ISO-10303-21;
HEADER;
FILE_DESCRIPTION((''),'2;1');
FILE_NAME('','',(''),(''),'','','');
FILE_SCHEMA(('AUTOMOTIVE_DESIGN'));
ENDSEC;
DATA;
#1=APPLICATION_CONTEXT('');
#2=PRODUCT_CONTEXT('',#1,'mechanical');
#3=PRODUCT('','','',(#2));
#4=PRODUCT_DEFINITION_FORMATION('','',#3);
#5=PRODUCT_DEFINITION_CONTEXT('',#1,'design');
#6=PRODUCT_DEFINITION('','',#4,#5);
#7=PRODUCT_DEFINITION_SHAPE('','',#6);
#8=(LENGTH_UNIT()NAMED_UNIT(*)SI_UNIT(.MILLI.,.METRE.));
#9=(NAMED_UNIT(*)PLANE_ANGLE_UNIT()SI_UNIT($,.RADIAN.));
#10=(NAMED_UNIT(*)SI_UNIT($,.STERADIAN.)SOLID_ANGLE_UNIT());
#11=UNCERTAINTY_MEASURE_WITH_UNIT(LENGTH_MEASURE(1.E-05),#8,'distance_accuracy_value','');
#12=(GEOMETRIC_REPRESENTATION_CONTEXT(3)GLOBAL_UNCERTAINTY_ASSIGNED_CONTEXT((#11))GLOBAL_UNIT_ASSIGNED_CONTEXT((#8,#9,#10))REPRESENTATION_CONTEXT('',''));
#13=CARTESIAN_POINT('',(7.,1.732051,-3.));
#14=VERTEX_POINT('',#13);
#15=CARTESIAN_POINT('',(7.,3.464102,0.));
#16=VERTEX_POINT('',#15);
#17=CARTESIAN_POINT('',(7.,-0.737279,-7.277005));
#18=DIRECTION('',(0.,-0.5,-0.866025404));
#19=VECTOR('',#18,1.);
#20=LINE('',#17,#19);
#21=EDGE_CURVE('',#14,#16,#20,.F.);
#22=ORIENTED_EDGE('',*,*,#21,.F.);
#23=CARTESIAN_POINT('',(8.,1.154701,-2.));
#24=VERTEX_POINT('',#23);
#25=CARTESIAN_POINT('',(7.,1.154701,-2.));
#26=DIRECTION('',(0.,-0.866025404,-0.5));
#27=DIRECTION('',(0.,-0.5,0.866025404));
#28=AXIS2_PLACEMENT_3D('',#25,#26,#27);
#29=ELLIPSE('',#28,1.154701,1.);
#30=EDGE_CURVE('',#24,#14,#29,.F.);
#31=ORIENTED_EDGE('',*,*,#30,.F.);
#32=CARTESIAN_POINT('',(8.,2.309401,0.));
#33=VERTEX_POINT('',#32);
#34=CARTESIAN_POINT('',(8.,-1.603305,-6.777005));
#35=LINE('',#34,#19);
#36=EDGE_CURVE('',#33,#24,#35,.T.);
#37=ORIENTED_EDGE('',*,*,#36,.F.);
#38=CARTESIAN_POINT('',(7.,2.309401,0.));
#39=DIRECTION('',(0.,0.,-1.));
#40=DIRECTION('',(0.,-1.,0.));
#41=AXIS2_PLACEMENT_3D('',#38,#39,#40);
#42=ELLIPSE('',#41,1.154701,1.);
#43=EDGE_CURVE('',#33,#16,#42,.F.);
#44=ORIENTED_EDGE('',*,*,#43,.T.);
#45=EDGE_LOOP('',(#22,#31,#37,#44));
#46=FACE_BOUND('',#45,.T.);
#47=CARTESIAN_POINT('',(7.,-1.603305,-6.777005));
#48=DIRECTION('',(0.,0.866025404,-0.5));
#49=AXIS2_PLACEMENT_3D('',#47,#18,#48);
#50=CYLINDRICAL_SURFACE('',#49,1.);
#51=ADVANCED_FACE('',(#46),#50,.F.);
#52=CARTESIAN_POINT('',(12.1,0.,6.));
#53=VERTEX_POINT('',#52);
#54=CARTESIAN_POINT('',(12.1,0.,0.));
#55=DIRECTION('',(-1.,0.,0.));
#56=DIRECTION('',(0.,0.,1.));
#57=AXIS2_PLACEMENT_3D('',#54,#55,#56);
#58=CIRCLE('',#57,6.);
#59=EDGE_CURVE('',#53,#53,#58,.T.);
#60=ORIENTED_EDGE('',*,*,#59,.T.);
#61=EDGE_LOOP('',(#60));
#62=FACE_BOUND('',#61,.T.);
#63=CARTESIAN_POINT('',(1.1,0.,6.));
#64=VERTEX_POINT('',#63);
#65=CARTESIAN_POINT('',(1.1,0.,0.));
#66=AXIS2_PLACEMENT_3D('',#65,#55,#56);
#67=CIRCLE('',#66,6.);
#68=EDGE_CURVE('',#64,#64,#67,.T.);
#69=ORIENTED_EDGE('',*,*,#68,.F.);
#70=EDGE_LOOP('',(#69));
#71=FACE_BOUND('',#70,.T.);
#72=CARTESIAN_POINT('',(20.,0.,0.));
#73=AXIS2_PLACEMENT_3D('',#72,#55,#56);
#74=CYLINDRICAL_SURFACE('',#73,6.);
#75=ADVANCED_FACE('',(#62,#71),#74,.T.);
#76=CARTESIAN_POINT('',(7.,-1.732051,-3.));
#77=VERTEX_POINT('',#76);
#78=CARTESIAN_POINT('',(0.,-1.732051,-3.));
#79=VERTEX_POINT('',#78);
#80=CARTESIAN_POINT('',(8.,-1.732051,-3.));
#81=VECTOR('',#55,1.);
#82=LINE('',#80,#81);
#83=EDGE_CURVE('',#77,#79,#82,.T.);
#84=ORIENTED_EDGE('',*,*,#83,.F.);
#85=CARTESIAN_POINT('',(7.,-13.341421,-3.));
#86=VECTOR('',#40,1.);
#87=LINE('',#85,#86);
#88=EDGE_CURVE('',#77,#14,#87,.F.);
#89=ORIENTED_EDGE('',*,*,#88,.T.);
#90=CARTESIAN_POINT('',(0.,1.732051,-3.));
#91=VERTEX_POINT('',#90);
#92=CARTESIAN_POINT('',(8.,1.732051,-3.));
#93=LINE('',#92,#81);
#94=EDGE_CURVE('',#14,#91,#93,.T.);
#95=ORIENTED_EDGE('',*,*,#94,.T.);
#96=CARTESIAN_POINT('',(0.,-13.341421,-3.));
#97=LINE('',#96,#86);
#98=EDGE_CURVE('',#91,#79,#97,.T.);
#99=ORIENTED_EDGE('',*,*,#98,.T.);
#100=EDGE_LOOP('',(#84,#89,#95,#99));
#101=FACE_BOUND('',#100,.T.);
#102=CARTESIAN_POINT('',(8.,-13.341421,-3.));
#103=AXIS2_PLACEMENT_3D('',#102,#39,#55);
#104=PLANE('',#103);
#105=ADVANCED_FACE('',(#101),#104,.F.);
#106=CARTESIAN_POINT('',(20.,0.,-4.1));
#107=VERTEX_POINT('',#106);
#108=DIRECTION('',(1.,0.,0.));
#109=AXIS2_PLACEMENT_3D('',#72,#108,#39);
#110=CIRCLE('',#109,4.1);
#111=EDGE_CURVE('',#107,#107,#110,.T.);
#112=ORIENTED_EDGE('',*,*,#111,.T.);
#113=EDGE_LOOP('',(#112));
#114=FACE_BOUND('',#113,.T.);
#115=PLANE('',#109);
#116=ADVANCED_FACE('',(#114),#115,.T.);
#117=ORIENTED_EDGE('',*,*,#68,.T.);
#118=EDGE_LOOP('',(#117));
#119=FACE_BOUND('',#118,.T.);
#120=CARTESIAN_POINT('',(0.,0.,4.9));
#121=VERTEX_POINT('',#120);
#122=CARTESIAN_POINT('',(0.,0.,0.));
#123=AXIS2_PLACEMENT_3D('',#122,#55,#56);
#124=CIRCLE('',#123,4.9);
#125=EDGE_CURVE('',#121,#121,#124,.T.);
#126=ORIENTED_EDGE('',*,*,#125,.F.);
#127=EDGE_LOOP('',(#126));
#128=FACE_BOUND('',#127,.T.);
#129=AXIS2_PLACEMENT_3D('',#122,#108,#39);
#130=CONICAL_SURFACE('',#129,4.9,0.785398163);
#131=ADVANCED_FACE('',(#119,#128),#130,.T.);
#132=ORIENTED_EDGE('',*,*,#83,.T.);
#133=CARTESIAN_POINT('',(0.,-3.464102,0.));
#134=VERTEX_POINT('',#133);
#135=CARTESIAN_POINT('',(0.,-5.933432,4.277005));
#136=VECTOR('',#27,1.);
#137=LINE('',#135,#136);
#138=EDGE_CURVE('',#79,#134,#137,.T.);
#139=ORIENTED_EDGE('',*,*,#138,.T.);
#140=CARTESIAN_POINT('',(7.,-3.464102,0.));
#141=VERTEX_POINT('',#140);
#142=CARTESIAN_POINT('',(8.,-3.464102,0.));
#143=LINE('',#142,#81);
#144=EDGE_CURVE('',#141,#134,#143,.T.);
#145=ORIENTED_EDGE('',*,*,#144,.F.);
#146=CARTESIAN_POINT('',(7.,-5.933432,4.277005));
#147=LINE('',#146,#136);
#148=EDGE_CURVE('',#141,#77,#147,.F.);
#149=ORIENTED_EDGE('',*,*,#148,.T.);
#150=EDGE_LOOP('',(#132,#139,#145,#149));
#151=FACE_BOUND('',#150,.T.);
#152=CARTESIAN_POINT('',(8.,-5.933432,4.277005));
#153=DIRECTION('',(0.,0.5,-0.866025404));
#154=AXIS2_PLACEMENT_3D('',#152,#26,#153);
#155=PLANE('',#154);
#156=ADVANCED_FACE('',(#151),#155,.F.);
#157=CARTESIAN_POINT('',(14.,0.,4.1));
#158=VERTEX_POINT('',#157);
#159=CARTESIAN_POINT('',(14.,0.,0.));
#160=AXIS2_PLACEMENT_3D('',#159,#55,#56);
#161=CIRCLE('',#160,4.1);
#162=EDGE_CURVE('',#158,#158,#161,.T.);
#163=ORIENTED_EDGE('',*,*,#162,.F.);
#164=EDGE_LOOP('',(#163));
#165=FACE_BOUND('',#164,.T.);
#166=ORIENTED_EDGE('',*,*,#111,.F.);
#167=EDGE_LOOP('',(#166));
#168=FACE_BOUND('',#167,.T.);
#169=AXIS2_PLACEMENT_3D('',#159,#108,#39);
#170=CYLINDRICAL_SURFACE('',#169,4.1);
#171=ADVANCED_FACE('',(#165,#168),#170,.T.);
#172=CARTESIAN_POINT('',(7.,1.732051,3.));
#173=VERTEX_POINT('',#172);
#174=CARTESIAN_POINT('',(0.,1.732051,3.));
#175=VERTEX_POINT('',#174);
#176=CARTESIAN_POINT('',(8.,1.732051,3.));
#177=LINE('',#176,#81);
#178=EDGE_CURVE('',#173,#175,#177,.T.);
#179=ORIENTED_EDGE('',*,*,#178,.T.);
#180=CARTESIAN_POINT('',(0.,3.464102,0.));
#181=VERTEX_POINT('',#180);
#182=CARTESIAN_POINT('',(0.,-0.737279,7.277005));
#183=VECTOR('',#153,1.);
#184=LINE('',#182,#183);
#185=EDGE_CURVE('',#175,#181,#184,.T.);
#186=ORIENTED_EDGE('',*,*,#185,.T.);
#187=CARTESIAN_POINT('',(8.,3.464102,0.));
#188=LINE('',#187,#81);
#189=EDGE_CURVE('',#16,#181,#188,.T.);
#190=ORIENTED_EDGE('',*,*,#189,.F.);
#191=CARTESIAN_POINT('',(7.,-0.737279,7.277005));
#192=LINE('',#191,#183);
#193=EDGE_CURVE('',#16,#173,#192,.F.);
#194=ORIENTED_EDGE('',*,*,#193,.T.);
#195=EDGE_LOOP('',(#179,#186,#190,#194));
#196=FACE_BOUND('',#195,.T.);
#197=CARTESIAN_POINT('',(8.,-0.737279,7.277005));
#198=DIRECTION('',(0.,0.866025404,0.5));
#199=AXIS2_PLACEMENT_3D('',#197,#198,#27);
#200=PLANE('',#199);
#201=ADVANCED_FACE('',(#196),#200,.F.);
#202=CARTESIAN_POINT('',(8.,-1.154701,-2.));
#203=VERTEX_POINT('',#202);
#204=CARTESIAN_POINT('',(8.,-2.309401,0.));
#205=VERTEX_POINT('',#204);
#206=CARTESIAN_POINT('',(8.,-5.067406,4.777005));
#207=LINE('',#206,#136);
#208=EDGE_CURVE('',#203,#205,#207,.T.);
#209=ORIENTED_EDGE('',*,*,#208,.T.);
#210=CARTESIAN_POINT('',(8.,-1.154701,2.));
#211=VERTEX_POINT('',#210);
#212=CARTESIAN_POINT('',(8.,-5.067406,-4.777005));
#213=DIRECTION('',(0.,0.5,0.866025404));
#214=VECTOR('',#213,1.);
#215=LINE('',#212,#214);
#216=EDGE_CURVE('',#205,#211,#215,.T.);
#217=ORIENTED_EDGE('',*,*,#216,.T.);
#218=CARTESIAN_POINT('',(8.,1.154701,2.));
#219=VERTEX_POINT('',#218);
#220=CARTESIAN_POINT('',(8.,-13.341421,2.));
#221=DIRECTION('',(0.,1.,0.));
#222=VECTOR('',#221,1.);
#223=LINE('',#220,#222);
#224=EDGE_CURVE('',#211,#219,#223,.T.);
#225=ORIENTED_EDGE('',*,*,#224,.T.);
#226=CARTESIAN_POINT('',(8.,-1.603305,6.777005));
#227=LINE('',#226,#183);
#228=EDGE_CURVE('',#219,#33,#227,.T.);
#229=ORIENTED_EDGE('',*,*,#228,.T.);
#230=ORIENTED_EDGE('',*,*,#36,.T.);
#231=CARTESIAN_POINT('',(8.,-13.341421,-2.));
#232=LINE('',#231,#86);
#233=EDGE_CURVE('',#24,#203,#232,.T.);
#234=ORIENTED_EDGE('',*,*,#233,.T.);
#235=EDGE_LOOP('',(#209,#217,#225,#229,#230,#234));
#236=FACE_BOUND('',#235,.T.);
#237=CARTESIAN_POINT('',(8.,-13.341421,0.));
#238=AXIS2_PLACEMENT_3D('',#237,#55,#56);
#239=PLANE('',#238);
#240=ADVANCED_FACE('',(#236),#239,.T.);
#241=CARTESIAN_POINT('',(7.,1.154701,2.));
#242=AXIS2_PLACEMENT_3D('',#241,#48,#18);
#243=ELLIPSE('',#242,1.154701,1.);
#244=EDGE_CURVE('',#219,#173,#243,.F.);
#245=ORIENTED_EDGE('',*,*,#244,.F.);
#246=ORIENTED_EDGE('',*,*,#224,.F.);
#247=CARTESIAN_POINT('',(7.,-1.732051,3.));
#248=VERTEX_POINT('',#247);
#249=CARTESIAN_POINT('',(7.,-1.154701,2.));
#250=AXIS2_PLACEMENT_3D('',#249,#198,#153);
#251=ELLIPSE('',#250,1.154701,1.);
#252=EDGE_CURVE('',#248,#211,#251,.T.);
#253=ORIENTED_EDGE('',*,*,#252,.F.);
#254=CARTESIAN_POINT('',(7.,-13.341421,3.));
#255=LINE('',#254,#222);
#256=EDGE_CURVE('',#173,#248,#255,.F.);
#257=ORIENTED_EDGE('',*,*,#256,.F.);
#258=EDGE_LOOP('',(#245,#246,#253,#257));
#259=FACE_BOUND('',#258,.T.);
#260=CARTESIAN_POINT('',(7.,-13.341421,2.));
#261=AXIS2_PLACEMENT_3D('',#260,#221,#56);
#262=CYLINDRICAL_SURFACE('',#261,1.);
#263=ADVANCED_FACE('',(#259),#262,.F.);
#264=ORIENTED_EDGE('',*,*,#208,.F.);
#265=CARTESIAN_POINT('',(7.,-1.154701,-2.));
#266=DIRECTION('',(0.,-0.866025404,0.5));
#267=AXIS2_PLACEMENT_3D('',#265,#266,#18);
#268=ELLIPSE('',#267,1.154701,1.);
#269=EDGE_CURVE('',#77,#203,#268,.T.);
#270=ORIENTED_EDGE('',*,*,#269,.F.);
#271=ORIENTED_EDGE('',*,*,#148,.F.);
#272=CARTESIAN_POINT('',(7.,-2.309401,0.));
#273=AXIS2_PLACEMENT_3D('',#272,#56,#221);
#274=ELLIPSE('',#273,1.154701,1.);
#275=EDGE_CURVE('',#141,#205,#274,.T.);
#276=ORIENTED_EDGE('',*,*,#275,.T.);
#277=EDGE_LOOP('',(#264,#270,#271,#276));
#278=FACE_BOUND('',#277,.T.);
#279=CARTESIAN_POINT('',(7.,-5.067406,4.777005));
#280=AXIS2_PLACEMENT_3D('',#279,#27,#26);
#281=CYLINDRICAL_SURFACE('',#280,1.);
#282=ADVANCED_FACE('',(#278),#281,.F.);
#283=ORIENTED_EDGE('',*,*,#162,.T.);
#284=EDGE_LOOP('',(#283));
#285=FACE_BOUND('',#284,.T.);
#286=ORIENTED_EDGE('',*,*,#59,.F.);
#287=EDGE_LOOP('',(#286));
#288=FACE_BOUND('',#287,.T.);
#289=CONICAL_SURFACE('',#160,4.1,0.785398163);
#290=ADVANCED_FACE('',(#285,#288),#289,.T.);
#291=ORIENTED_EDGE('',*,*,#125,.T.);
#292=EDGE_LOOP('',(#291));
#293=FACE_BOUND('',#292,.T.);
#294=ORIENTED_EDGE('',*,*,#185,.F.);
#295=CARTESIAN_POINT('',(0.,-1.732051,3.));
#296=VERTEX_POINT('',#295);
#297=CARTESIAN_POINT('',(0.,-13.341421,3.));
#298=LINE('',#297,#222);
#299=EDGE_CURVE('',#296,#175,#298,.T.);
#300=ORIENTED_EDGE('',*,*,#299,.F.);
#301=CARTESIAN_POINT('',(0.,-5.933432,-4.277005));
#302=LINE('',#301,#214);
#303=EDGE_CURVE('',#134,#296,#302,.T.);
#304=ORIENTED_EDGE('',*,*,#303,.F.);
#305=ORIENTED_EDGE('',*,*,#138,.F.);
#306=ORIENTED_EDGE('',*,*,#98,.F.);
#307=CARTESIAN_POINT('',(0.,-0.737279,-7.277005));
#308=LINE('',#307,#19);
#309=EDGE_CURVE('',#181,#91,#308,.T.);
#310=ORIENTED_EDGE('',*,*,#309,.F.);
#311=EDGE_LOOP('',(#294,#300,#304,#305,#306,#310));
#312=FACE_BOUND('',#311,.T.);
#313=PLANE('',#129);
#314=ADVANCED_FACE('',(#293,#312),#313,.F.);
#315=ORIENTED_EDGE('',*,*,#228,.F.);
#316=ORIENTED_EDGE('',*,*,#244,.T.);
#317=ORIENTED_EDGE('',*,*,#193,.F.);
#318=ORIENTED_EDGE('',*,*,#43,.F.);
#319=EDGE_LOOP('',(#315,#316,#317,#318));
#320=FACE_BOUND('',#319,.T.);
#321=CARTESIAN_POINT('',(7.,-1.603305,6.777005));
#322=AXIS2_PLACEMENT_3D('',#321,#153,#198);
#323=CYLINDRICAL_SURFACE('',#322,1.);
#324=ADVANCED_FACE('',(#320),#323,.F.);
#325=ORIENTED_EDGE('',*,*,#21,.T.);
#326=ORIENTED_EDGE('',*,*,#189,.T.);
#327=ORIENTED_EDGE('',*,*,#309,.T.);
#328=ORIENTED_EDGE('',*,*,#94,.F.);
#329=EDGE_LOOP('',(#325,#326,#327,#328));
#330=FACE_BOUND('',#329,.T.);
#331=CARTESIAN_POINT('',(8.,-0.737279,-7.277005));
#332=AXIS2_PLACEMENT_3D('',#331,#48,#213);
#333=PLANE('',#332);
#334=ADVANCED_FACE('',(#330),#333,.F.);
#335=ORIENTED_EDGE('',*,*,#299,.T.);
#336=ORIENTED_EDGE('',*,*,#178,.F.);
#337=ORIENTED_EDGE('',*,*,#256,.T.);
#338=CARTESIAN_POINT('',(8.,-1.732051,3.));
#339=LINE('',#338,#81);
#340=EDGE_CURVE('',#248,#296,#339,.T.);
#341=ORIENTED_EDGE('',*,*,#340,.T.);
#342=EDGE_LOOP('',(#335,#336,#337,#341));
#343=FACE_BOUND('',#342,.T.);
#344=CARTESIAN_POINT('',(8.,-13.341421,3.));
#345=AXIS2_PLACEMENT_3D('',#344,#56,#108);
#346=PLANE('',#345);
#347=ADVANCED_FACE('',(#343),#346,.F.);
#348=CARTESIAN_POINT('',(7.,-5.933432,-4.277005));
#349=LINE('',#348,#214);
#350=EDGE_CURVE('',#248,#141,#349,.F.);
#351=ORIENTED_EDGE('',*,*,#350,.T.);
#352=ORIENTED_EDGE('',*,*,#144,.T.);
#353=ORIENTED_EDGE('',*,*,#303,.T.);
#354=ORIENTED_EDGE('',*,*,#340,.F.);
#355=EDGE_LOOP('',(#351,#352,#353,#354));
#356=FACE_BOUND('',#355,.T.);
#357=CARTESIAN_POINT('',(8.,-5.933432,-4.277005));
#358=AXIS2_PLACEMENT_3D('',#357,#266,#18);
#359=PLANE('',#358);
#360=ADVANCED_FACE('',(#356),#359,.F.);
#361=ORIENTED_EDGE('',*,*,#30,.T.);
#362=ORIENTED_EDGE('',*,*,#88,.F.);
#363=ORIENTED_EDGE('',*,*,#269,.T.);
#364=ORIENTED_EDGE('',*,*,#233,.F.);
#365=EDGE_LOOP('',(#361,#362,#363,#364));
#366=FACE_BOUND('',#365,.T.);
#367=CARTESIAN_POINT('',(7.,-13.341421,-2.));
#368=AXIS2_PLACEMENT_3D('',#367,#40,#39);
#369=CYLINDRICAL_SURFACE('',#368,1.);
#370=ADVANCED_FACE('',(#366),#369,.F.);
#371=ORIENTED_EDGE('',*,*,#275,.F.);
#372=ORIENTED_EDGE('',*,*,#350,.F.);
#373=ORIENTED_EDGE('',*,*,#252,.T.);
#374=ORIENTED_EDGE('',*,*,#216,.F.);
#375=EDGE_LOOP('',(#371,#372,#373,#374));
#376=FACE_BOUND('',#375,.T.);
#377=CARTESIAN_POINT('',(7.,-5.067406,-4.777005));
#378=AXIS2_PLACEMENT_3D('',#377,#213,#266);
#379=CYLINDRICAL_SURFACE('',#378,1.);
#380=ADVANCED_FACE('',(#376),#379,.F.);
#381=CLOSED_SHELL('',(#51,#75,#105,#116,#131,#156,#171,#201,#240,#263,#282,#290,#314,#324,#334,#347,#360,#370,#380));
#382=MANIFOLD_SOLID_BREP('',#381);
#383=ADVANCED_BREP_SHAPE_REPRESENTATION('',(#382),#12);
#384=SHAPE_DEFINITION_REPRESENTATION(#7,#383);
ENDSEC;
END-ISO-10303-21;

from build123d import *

# Parameters (mm, degrees)
SKETCH_1_R          = 6
EXTRUDE_1_DEPTH     = 20
CUT_EXTRUDE_1_DEPTH = 8
CUT_EXTRUDE_START   = -6
SKETCH_3_R          = 6
SKETCH_3_R_2        = 4.1
CUT_EXTRUDE_2_DEPTH = 6
FILLET_1_R          = 1


with BuildPart() as part:
    # Эскиз1 → Вытянуть1 (new body)
    with BuildSketch(Plane(origin=(0, 0, 0), x_dir=(0, 0, -1), z_dir=(1, 0, 0))):
        Circle(SKETCH_1_R)
    extrude(amount=EXTRUDE_1_DEPTH)

    # Эскиз2 → Вырез-Вытянуть1 (cut)
    with BuildSketch(Plane.ZY):
        Polygon((-3, -1.732050808), (0, -3.464101615), (0, 3.464101615), (-3, 1.732050808), align=None)
        Polygon((0, -3.464101615), (0, 3.464101615), (3, 1.732050808), (3, -1.732050808), align=None)
    extrude(amount=-CUT_EXTRUDE_1_DEPTH, mode=Mode.SUBTRACT)

    # Эскиз3 → Вырез-Вытянуть2 (cut)
    with BuildSketch(Plane(origin=(20, 0, 0), x_dir=(0, 0, -1), z_dir=(1, 0, 0)).offset(CUT_EXTRUDE_START)):
        Circle(SKETCH_3_R)
        Circle(SKETCH_3_R_2, mode=Mode.SUBTRACT)
    extrude(amount=CUT_EXTRUDE_2_DEPTH, mode=Mode.SUBTRACT)

    # Эскиз4 → Вырез-Повернуть1 (revolve, cut)
    with BuildSketch(Plane.XY, mode=Mode.PRIVATE) as cut_revolve_1_sk:
        Polygon((14, 6), (14, 4.1), (12.1, 6), align=None)
    revolve(cut_revolve_1_sk.sketch.rotate(Axis((0, 0, 0), (1, 0, 0)), 90), axis=Axis((0, 0, 0), (1, 0, 0)), mode=Mode.SUBTRACT)

    # Эскиз5 → Вырез-Повернуть2 (revolve, cut)
    with BuildSketch(Plane.XY, mode=Mode.PRIVATE) as cut_revolve_2_sk:
        Polygon((0, 6), (0, 4.9), (1.1, 6), align=None)
    revolve(cut_revolve_2_sk.sketch.rotate(Axis((0, 0, 0), (1, 0, 0)), 90), axis=Axis((0, 0, 0), (1, 0, 0)), mode=Mode.SUBTRACT)

    # Скругление1
    fillet_1_edges = [part.edges().sort_by_distance(p)[0] for p in [
        (8, -2.598076211, 1.5),
        (8, -2.598076211, -1.5),
        (8, 0, -3),
        (8, 2.598076211, -1.5),
        (8, 2.598076211, 1.5),
        (8, 0, 3),
    ]]
    fillet(fillet_1_edges, radius=FILLET_1_R)


solid = part.part
